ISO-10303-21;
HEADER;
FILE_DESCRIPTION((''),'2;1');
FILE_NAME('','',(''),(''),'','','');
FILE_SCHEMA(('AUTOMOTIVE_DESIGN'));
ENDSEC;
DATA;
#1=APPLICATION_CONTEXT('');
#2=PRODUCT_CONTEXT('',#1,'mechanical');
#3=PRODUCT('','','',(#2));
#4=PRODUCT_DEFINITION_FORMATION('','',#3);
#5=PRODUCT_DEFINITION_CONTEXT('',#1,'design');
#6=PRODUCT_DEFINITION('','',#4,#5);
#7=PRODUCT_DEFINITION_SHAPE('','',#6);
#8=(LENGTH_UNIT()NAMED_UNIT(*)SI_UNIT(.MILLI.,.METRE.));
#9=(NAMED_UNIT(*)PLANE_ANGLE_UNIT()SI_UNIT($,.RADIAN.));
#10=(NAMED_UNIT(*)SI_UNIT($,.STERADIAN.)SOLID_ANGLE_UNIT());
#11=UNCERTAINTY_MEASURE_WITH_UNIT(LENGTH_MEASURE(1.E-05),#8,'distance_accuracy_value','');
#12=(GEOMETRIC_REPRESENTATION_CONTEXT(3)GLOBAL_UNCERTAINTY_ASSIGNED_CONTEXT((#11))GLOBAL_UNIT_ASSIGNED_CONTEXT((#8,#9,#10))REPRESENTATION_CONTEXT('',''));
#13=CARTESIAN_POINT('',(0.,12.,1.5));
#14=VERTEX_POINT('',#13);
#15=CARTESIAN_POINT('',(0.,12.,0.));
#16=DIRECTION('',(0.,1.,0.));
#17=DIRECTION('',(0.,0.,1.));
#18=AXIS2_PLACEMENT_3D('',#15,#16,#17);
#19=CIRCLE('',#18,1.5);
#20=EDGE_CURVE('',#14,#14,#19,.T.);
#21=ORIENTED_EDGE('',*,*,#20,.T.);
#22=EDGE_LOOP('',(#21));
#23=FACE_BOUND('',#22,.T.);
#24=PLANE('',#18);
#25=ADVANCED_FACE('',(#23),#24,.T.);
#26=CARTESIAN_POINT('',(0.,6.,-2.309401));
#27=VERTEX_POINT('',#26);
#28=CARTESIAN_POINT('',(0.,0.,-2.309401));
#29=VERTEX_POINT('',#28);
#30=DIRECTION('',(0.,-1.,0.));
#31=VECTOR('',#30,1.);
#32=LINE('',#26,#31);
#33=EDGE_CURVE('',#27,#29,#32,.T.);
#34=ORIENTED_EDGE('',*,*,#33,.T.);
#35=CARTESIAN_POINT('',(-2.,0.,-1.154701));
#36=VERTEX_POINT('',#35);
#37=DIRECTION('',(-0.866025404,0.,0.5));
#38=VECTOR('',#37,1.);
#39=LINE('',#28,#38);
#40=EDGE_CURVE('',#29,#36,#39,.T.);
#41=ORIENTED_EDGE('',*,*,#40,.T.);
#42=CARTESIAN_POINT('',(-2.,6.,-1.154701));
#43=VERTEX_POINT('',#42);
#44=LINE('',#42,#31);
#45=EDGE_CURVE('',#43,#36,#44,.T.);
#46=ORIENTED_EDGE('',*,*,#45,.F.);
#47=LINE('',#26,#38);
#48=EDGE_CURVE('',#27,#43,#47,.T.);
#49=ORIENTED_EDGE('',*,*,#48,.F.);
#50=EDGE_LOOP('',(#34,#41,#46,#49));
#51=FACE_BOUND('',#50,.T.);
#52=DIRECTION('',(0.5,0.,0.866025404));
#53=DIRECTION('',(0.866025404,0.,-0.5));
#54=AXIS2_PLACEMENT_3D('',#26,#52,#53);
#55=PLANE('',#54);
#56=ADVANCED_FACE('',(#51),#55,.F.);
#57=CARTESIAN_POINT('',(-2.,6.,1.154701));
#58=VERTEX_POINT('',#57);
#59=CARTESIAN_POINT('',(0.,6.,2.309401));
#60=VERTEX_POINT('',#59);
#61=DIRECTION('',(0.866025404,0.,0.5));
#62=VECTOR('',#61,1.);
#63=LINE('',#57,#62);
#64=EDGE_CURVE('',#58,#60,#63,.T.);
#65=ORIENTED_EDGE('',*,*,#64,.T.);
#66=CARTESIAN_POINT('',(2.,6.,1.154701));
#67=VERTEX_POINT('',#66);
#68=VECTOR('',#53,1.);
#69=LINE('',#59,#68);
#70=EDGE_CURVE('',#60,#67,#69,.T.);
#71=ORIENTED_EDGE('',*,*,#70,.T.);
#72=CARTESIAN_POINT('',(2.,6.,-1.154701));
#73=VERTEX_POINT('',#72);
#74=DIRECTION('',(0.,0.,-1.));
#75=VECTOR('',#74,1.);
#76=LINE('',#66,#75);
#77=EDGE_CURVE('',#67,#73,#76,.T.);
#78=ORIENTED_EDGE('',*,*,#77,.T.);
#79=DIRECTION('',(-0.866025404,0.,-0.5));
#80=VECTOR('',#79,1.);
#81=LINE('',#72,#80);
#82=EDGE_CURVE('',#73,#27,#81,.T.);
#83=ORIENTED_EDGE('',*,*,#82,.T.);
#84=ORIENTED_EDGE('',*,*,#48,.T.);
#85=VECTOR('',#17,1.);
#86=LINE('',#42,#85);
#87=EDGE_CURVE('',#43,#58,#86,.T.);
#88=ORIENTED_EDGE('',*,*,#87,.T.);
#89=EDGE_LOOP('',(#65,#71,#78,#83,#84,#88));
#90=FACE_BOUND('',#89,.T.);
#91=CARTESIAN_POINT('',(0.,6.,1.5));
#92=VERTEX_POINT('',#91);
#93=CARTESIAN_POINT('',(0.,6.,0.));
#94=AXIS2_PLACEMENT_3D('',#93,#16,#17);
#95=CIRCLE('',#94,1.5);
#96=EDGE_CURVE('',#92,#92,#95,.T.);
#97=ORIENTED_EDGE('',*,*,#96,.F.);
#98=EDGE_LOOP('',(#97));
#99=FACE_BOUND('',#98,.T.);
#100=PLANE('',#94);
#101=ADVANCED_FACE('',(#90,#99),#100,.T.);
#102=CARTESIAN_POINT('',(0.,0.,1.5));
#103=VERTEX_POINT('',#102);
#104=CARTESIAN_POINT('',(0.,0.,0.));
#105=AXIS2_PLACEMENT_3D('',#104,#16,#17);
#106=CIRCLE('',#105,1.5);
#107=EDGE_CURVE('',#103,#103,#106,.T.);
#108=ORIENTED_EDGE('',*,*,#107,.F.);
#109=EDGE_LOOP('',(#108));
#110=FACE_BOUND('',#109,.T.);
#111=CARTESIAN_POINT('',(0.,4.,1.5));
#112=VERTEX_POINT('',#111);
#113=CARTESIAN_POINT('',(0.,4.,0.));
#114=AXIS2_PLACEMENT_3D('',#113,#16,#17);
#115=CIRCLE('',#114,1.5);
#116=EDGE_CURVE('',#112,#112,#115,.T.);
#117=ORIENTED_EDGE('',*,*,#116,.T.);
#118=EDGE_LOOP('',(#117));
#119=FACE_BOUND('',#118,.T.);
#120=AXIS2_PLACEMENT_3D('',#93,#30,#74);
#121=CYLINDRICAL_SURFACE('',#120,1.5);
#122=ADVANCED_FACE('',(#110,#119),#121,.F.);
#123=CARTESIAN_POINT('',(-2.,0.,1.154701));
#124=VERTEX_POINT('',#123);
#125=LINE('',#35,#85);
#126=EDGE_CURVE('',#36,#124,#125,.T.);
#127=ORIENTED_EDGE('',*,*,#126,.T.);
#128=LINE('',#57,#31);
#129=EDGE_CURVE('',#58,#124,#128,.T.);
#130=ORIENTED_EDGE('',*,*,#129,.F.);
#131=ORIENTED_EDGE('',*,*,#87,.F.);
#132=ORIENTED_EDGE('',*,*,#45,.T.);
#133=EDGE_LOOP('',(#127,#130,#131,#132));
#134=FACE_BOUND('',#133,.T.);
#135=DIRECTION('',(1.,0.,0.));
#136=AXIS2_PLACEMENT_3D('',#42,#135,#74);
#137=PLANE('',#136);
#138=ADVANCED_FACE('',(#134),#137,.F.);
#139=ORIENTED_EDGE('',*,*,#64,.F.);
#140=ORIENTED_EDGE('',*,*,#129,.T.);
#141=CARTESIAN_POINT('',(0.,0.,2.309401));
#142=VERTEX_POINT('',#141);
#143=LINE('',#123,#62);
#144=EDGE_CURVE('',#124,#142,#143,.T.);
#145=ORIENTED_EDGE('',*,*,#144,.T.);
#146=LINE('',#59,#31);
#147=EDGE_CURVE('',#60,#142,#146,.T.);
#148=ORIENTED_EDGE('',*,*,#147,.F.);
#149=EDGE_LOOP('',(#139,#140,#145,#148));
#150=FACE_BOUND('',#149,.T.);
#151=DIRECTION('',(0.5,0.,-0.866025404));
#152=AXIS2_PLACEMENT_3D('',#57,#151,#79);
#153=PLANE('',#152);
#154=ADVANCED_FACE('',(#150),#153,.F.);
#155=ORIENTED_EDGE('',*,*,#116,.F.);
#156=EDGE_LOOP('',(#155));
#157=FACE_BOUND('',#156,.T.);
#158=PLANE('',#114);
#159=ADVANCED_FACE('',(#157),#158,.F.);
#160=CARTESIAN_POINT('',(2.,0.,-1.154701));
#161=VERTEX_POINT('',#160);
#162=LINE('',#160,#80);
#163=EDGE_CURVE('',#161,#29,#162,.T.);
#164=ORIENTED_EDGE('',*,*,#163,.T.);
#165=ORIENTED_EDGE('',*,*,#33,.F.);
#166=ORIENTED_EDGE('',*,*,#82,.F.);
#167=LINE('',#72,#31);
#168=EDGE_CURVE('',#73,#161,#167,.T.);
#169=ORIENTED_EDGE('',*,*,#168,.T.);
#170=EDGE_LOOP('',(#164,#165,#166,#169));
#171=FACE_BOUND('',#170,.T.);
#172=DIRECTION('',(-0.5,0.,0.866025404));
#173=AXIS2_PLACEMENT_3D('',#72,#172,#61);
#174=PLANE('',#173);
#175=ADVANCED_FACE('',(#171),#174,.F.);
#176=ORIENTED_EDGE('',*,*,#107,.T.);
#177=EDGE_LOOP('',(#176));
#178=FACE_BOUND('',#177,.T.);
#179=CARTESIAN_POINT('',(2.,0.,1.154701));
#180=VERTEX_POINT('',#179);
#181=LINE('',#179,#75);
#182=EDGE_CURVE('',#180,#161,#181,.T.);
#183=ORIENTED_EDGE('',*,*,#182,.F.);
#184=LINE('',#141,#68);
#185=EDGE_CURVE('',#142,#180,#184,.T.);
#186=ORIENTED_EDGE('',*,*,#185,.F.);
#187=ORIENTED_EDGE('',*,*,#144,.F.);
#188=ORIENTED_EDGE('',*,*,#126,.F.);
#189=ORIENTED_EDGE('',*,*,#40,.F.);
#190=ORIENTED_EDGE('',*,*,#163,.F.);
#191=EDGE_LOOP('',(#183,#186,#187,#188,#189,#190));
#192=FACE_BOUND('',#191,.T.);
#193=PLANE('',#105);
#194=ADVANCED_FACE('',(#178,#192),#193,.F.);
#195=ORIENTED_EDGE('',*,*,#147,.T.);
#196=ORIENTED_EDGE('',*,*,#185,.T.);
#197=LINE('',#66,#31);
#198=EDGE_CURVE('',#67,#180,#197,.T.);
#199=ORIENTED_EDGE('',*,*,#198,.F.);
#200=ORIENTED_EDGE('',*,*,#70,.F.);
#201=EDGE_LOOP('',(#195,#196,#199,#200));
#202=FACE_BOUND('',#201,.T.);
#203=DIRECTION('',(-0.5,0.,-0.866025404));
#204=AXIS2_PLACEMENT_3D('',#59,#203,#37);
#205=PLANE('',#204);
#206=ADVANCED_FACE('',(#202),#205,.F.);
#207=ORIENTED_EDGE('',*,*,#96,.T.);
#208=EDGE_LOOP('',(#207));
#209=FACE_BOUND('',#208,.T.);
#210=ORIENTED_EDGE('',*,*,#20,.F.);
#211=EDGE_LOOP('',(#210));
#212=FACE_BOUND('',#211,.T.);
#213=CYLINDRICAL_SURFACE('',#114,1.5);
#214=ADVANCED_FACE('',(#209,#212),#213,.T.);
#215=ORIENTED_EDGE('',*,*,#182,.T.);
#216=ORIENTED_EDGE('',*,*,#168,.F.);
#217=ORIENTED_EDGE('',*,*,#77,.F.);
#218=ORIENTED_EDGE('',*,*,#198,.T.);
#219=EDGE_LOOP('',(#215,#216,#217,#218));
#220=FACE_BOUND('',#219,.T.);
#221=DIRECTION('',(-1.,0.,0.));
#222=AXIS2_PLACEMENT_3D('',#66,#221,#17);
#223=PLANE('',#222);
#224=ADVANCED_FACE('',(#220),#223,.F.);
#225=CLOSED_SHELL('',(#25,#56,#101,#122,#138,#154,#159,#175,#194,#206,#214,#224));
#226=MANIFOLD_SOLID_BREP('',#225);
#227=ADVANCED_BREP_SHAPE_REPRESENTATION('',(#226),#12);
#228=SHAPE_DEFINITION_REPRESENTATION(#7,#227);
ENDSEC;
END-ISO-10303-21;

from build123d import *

# Parameters (mm, degrees)
SKETCH_1_R           = 1.5
EXTRUDE_1_DEPTH      = 6
EXTRUDE_2_DEPTH      = 6
EXTRUDE_2_DEPTH_BACK = 2
SKETCH_2_R           = 1.5


with BuildPart() as part:
    # 草图1 → 凸台-拉伸1 (new body)
    with BuildSketch(Plane(origin=(0, 0, 0), x_dir=(1, 0, 0), z_dir=(0, 1, 0))):
        Polygon((0, 2.309401077), (-2, 1.154700538), (-2, -1.154700538), (0, -2.309401077), (2, -1.154700538), (2, 1.154700538), align=None)
        with Locations(Location((0, 0, 0), (0, 0, 270))):
            Circle(SKETCH_1_R, mode=Mode.SUBTRACT)
    extrude(amount=EXTRUDE_1_DEPTH)

    # 草图2 → 凸台-拉伸2 (add, two sides: drawn at the far end of the back side and taken through both)
    with BuildSketch(Plane(origin=(0, 6, 0), x_dir=(1, 0, 0), z_dir=(0, 1, 0)).offset(-EXTRUDE_2_DEPTH_BACK)):
        with Locations(Location((0, 0, 0), (0, 0, 270))):
            Circle(SKETCH_2_R)
    extrude(amount=EXTRUDE_2_DEPTH + EXTRUDE_2_DEPTH_BACK)


solid = part.part
